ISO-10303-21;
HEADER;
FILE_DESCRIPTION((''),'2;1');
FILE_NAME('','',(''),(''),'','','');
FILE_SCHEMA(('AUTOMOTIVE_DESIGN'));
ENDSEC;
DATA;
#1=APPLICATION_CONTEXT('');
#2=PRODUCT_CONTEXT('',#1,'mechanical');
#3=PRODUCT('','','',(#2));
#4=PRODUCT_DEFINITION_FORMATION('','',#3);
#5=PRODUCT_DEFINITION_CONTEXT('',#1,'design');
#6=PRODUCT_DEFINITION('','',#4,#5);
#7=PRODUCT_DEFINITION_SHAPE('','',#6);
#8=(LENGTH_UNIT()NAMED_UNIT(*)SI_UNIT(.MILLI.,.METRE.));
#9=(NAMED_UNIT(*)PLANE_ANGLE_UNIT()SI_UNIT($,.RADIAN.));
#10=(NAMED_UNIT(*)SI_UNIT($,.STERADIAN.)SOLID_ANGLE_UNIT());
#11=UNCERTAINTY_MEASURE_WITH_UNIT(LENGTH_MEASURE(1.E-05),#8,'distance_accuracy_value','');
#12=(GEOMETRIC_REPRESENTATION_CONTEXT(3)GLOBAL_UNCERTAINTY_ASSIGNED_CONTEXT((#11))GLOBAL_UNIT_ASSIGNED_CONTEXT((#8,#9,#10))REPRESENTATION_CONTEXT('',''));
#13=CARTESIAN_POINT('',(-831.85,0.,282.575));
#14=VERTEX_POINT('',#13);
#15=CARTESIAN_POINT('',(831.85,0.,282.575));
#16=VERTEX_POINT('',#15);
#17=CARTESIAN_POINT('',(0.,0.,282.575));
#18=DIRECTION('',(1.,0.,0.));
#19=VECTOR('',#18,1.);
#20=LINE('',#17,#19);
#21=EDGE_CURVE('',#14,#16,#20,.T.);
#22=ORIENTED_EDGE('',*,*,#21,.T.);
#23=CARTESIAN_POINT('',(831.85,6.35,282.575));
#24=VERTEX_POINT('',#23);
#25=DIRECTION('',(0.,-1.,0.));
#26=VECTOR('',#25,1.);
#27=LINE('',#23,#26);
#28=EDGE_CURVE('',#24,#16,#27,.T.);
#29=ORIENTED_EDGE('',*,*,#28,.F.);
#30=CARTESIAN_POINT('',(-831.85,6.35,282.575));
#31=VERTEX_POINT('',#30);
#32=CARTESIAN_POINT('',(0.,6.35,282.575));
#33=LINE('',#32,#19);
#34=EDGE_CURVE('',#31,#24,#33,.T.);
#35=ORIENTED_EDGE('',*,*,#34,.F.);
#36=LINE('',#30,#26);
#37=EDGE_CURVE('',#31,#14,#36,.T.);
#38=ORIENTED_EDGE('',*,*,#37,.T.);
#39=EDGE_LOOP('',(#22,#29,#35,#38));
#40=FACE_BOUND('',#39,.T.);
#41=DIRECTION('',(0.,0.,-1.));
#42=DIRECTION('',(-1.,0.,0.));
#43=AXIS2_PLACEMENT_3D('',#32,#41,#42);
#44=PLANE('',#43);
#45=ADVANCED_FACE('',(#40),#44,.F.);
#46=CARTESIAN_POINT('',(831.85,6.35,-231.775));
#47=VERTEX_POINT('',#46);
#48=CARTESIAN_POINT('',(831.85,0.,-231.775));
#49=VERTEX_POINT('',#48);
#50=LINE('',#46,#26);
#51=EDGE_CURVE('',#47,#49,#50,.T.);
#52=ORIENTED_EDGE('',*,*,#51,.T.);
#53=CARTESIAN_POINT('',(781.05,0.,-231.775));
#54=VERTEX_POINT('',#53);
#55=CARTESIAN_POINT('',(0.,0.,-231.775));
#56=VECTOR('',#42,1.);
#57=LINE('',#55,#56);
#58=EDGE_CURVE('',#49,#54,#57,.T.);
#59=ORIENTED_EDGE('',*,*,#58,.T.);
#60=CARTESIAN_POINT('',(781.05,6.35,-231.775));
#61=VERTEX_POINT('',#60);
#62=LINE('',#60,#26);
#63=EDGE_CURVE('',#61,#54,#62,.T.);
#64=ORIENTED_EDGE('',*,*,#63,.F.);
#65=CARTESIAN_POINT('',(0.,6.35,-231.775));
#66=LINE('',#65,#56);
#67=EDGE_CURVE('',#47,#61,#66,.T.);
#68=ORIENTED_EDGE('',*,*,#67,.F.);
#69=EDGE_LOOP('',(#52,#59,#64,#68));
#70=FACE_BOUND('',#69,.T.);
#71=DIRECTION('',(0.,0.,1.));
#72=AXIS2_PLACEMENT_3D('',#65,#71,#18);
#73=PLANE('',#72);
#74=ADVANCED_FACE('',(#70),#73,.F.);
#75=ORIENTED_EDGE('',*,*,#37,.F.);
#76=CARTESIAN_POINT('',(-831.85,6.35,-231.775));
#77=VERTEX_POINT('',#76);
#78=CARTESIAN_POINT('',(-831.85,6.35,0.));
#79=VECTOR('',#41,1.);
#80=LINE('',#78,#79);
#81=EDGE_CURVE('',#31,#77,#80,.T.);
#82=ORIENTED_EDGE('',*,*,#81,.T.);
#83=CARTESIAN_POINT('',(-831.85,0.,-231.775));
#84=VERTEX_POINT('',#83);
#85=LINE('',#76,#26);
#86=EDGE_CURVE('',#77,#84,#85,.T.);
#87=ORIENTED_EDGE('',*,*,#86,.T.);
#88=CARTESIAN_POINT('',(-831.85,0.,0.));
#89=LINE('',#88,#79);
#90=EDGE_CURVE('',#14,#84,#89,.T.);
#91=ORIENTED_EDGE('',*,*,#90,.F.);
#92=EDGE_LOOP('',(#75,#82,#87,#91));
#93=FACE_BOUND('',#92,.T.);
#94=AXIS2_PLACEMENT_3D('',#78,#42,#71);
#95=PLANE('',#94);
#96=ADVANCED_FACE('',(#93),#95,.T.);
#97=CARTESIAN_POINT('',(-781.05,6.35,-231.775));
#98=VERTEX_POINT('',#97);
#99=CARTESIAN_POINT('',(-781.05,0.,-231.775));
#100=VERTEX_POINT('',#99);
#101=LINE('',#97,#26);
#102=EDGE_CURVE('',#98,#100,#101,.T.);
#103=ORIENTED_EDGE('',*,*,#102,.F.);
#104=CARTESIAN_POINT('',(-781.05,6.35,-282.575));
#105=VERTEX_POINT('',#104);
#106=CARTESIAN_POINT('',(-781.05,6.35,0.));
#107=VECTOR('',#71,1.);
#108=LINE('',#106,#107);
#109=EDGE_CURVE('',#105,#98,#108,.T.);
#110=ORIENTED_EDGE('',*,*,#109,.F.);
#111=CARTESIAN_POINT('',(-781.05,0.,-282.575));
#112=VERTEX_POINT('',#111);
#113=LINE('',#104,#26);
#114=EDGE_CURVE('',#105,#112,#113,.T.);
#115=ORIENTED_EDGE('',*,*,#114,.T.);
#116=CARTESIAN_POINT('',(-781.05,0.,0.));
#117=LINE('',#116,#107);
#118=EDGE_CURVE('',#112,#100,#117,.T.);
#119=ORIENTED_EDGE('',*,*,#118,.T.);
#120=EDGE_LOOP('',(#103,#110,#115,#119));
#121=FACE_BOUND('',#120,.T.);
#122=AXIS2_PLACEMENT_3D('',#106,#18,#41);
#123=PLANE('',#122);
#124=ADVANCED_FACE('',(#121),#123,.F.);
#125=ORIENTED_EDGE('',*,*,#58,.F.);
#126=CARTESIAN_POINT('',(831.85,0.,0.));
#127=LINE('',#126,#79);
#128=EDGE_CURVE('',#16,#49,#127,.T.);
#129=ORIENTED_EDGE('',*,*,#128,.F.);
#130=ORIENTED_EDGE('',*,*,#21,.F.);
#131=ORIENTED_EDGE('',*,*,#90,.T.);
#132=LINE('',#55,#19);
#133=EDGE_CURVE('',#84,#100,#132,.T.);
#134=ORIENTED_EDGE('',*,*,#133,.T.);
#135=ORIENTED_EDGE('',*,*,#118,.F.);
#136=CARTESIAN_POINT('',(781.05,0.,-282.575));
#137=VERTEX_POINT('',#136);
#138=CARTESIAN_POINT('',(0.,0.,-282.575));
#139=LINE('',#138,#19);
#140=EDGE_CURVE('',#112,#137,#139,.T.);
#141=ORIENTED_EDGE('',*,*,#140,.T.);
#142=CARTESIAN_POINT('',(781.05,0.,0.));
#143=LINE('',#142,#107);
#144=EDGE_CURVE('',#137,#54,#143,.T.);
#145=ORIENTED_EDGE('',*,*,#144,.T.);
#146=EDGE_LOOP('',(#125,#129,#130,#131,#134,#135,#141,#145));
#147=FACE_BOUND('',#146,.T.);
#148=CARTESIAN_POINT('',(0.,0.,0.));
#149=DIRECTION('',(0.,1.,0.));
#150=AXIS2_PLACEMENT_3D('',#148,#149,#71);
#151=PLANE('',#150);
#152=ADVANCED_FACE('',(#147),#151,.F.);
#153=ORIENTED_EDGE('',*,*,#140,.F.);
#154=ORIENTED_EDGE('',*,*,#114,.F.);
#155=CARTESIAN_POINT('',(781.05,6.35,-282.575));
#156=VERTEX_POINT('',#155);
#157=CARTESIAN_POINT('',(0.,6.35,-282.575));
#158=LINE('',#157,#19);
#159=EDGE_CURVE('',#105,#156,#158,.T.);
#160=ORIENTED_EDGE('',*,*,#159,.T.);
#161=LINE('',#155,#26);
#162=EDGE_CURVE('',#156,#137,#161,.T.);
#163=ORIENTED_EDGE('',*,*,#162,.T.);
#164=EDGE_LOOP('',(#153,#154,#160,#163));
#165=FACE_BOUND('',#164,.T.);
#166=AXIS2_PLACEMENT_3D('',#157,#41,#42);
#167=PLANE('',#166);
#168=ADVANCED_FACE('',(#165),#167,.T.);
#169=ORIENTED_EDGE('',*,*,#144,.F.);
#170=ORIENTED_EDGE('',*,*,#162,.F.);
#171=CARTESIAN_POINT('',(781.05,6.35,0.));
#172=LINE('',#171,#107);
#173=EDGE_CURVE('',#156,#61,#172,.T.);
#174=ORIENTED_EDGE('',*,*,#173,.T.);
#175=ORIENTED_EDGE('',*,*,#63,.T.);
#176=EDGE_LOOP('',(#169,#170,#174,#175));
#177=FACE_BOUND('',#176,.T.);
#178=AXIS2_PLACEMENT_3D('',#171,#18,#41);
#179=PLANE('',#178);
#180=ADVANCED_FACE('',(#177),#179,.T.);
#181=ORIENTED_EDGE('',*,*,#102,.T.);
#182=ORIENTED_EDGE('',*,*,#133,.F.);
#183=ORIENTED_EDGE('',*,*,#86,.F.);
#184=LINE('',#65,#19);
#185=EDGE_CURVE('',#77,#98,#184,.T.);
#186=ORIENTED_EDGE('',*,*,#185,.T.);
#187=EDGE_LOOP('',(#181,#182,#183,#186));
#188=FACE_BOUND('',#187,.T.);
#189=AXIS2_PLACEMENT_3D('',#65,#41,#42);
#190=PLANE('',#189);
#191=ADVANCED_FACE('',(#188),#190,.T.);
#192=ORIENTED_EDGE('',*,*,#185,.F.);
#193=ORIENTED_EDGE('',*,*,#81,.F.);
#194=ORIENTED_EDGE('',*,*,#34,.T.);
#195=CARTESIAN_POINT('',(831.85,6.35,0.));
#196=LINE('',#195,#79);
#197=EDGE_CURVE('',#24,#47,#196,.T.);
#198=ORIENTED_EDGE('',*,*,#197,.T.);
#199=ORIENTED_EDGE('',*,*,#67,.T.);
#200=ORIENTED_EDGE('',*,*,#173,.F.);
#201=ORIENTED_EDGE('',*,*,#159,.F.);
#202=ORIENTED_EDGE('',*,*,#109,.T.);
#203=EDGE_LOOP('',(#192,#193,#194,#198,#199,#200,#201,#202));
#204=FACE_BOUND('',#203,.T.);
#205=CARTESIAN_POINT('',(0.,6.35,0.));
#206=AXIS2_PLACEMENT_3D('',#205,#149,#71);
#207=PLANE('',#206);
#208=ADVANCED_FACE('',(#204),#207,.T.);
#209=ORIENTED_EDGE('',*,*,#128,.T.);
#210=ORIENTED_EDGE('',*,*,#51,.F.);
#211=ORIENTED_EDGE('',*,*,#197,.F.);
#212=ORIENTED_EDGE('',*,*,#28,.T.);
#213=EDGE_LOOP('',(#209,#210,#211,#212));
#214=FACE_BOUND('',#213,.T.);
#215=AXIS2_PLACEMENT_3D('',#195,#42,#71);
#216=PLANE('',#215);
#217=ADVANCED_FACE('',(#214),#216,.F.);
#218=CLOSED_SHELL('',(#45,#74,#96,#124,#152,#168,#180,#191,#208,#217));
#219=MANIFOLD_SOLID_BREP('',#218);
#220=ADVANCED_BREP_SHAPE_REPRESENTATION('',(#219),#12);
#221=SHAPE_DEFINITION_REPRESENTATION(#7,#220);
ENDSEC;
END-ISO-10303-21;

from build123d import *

# Parameters (mm, degrees)
BOSS_EXTRUDE1_DEPTH = 6.35


with BuildPart() as part:
    # Sketch1 → Boss-Extrude1 (new body)
    with BuildSketch(Plane(origin=(0, 0, 0), x_dir=(1, 0, 0), z_dir=(0, 1, 0))):
        Polygon((-831.85, 231.775), (-831.85, -282.575), (831.85, -282.575), (831.85, 231.775), (781.05, 231.775), (781.05, 282.575), (-781.05, 282.575), (-781.05, 231.775), align=None)
    extrude(amount=BOSS_EXTRUDE1_DEPTH)


solid = part.part
